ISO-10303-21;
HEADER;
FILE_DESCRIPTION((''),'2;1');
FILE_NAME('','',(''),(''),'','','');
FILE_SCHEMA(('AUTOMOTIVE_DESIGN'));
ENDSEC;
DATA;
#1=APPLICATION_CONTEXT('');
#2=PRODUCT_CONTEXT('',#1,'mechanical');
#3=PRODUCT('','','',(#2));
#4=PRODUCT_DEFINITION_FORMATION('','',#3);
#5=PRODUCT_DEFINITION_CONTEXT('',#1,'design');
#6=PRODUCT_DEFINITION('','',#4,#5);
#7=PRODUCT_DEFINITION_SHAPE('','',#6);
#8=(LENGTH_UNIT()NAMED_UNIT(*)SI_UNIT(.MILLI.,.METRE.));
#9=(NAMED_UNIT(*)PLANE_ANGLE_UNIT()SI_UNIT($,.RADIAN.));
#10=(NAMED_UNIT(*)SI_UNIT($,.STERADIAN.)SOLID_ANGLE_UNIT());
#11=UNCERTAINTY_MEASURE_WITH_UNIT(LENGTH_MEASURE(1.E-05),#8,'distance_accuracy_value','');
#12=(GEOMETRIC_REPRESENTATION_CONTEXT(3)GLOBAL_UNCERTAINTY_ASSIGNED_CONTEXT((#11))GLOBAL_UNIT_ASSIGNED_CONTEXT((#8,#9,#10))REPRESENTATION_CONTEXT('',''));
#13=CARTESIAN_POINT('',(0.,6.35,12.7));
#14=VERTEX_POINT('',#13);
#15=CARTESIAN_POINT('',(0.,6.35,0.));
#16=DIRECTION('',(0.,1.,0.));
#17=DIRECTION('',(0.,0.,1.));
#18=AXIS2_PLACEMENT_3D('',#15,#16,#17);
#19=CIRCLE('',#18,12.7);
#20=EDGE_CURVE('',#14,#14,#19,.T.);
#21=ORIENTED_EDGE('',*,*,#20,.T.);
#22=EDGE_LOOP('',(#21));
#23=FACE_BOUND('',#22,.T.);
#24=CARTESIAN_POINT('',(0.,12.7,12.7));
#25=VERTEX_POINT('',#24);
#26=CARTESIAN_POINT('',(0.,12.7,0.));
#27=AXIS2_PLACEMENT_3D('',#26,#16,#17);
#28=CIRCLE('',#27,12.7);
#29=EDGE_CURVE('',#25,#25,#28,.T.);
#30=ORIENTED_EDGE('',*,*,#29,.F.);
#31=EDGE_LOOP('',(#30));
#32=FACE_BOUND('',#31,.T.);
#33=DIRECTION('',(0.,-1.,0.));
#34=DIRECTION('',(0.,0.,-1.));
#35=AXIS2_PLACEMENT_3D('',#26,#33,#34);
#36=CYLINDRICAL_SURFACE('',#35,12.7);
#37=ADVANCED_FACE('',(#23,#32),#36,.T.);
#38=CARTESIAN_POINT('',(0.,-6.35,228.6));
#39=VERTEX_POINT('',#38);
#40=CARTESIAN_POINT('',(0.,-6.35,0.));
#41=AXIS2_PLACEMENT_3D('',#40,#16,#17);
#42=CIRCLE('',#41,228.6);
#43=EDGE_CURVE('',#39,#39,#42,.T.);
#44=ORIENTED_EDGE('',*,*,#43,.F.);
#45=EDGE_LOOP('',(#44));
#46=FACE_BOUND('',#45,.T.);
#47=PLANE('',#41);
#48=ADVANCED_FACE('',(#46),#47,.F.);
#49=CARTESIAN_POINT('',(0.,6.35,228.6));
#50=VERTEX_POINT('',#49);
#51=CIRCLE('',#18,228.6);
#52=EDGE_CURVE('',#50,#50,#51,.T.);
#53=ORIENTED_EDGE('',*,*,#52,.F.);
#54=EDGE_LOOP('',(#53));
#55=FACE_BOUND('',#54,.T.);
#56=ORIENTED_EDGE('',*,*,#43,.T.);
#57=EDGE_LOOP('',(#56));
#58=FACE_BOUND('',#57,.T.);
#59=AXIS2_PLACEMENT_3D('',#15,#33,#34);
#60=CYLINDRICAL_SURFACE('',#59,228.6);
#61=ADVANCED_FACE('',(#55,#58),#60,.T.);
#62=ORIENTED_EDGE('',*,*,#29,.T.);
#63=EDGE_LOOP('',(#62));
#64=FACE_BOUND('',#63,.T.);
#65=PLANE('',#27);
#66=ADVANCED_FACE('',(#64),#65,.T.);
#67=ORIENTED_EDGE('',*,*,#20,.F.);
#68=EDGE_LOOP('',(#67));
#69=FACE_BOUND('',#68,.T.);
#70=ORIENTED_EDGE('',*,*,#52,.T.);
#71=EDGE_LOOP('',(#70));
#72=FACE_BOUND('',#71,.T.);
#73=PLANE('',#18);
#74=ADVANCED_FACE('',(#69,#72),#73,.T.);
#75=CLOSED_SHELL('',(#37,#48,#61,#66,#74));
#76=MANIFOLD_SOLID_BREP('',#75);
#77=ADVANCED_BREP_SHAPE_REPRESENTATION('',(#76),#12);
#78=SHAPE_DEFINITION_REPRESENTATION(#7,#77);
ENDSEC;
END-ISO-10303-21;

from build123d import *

# Parameters (mm, degrees)
SKETCH1_R           = 228.6
BOSS_EXTRUDE1_DEPTH = 6.35
SKETCH2_R           = 12.7
BOSS_EXTRUDE2_DEPTH = 6.35


with BuildPart() as part:
    # Sketch1 → Boss-Extrude1 (new body, symmetric)
    with BuildSketch(Plane(origin=(0, 0, 0), x_dir=(1, 0, 0), z_dir=(0, 1, 0))):
        Circle(SKETCH1_R)
    extrude(amount=BOSS_EXTRUDE1_DEPTH, both=True)

    # Sketch2 → Boss-Extrude2 (add)
    with BuildSketch(Plane(origin=(0, 6.35, 0), x_dir=(1, 0, 0), z_dir=(0, 1, 0))):
        Circle(SKETCH2_R)
    extrude(amount=BOSS_EXTRUDE2_DEPTH)


solid = part.part
